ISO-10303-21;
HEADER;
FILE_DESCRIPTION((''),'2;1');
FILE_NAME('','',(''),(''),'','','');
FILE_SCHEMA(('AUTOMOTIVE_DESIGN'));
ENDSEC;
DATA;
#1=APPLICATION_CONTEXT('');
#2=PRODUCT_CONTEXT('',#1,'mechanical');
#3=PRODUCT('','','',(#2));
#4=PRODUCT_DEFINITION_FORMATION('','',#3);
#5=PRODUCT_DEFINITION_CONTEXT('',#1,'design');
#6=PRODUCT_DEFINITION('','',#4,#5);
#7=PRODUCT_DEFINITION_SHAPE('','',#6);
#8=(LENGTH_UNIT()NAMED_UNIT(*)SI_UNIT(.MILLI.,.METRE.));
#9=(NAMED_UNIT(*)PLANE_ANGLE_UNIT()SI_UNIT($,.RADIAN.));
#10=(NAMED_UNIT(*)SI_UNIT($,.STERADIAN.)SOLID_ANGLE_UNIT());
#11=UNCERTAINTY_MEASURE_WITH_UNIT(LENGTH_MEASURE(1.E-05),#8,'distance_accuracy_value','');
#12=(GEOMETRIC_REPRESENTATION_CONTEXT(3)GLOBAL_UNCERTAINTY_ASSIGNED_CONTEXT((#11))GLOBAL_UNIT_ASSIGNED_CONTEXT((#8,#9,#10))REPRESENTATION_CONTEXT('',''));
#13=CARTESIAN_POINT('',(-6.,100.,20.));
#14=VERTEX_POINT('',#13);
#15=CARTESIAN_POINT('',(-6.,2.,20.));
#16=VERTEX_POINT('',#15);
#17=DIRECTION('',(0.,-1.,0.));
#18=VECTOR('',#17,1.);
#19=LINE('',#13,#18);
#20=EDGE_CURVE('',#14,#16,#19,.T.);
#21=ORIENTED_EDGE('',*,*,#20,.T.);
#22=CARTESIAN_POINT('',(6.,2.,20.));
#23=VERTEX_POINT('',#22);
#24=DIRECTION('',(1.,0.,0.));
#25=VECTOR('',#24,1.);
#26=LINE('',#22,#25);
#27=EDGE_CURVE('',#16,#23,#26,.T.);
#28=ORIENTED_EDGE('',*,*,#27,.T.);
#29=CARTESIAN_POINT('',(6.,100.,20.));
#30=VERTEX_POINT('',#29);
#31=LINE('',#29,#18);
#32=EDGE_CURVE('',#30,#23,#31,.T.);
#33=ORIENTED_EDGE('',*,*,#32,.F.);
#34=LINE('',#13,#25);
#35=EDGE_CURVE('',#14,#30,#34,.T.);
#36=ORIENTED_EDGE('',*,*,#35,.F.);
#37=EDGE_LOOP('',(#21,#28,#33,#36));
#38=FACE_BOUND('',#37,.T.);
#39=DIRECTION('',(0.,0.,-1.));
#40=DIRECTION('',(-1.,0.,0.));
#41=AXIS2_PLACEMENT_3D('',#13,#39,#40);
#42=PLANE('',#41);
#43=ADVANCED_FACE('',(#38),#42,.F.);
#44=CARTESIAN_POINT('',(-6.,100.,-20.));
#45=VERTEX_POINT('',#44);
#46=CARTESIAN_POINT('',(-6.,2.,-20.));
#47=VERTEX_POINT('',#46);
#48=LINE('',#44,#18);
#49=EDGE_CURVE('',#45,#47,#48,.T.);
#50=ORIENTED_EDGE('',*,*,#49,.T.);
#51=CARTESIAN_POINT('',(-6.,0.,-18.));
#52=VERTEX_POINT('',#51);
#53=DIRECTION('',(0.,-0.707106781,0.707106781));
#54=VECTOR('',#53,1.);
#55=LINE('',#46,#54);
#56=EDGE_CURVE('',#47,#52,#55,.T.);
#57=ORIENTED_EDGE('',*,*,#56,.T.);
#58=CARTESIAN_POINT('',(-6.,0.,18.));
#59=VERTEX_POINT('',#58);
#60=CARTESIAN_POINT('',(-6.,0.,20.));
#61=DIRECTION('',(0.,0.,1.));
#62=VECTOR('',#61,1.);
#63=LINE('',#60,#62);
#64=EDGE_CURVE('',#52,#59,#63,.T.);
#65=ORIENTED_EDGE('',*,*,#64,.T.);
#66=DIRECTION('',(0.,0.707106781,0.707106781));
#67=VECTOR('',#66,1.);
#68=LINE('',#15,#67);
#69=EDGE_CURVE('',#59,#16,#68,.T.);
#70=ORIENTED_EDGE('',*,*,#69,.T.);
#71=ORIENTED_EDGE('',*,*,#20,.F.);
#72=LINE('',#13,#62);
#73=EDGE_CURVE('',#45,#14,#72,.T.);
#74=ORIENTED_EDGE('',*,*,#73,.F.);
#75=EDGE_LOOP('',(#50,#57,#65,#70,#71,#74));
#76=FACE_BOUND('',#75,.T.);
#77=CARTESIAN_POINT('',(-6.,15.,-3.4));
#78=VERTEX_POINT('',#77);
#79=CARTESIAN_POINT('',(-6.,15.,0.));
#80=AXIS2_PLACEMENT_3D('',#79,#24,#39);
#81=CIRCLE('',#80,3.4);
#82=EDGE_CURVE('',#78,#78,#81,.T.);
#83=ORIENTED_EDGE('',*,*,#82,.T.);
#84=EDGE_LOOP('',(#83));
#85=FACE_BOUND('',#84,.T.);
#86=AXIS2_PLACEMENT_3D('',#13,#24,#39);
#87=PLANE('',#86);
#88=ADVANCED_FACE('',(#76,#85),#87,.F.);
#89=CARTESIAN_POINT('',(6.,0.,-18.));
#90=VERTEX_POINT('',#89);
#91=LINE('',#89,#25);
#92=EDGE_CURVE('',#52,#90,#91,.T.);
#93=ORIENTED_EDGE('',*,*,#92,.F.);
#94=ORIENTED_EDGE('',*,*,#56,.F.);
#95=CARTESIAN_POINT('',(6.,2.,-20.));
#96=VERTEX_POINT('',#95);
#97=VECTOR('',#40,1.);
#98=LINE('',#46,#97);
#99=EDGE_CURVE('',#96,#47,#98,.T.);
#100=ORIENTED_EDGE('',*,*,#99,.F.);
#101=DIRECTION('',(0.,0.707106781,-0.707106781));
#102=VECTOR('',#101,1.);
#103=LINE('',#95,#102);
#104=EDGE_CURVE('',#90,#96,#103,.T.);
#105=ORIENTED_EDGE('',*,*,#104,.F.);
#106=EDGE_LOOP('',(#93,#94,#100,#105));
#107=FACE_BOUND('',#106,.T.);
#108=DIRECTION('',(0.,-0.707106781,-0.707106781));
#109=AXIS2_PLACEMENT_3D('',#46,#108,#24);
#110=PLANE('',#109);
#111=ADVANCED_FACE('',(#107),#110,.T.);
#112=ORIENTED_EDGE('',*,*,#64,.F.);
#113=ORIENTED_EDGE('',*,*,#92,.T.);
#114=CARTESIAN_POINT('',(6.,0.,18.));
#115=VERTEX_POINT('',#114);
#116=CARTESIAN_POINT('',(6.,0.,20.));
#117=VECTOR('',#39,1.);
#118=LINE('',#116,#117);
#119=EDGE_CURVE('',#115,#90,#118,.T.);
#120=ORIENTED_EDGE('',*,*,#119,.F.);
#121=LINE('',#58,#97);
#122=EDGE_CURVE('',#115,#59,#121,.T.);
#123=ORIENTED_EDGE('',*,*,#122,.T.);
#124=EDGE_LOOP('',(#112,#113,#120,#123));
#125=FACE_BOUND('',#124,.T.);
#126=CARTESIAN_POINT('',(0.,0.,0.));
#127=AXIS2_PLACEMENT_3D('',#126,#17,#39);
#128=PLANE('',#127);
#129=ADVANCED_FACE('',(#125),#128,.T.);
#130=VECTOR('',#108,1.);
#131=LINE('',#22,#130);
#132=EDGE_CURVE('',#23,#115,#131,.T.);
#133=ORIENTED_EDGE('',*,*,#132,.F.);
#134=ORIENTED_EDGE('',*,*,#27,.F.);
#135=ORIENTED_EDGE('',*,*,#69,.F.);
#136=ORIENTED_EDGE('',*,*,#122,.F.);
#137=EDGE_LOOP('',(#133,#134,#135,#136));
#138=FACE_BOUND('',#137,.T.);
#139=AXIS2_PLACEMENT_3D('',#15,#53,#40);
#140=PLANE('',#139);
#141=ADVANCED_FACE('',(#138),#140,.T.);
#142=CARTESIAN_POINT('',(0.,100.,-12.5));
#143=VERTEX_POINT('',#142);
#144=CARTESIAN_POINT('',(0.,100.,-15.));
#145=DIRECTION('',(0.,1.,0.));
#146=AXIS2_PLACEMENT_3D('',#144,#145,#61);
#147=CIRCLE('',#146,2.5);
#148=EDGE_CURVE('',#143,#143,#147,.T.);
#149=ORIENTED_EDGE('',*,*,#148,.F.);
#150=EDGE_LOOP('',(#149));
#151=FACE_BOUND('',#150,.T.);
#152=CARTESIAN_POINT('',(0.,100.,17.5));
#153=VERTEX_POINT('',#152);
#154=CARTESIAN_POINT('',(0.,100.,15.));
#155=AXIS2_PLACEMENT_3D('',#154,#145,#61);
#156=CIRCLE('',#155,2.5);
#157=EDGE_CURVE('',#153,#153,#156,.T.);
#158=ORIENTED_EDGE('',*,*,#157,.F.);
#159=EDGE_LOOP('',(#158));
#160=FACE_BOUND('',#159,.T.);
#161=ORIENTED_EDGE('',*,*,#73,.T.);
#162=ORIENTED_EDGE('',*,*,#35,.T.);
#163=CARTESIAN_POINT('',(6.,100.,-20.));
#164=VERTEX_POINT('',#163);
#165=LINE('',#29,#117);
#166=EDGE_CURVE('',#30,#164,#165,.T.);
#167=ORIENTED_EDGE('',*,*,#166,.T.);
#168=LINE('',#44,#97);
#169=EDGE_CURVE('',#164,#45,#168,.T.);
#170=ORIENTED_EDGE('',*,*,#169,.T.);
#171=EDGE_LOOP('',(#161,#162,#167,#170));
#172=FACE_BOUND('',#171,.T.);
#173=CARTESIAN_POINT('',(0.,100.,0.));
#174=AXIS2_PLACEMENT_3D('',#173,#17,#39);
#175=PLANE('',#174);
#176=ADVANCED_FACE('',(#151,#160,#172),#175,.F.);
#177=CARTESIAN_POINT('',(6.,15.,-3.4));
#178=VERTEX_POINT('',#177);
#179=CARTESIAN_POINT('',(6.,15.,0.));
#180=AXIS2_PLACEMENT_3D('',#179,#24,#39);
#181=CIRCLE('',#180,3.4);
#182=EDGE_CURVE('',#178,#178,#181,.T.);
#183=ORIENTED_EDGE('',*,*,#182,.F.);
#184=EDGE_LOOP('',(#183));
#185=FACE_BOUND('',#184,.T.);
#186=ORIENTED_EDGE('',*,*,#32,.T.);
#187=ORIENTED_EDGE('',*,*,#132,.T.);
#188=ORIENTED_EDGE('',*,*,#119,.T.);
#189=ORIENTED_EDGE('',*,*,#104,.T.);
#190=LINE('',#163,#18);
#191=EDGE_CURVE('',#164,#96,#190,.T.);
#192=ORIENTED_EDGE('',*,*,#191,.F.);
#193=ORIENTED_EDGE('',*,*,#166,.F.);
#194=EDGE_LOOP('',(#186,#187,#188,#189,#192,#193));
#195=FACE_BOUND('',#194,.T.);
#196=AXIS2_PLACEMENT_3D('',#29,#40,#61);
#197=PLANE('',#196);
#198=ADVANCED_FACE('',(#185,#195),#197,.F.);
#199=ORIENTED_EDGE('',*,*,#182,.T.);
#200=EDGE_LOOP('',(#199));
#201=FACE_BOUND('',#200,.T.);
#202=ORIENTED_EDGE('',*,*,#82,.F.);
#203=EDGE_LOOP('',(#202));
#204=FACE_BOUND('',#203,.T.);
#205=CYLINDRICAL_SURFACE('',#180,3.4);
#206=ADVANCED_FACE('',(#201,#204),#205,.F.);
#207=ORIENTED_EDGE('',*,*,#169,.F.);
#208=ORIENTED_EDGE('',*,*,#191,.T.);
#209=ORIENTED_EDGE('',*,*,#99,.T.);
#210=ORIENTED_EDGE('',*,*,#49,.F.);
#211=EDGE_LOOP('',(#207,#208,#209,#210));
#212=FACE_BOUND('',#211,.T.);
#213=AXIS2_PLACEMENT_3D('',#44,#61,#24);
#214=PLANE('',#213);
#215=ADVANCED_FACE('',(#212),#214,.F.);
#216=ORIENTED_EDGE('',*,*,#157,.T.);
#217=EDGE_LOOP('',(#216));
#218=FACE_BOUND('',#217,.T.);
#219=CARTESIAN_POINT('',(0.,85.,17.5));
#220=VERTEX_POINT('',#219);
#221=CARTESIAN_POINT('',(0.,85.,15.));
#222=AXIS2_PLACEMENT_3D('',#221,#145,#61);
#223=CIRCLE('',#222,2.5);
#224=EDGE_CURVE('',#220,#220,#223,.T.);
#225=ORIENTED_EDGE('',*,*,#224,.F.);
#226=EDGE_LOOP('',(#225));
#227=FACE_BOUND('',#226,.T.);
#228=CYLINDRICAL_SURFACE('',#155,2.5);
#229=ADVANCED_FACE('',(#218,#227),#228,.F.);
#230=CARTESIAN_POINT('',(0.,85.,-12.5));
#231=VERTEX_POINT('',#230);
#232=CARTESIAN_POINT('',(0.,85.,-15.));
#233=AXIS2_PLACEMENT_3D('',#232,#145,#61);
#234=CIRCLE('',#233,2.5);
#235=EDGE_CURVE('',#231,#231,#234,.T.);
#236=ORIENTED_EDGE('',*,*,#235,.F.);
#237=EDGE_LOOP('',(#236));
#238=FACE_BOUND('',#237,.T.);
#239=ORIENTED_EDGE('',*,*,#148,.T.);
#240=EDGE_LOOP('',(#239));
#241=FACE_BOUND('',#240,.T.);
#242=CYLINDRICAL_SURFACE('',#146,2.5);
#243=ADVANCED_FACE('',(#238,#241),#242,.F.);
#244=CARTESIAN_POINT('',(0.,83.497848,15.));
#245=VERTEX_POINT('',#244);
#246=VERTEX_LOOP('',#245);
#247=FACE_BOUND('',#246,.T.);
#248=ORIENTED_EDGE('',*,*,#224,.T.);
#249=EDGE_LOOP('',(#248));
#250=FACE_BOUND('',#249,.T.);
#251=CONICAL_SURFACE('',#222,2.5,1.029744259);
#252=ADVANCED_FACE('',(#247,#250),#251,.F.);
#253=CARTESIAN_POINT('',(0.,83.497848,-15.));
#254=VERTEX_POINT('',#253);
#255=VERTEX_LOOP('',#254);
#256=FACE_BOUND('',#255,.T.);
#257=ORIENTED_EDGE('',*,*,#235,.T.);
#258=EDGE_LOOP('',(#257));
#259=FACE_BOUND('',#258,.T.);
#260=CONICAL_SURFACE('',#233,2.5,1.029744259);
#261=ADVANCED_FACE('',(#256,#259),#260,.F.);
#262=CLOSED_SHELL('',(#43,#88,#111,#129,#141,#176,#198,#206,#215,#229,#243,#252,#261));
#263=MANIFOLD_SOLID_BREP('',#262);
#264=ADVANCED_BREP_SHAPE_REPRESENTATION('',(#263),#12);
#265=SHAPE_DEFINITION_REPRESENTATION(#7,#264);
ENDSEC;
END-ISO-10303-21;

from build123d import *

# Parameters (mm, degrees)
SKETCH_1_W             = 12
SKETCH_1_H             = 40
EXTRUDE_1_DEPTH        = 100
HOLE_WIZARD_M6_1_D     = 5
HOLE_WIZARD_M6_1_DEPTH = 15
HOLE_WIZARD_M6_1_TIP   = 1.502151548
HOLE_WIZARD_M8_1_D     = 6.8
CHAMFER_1_SIZE         = 2


with BuildPart() as part:
    # 草图1 → 凸台-拉伸1 (new body)
    with BuildSketch(Plane(origin=(0, 0, 0), x_dir=(1, 0, 0), z_dir=(0, 1, 0))):
        Rectangle(SKETCH_1_W, SKETCH_1_H)
    extrude(amount=EXTRUDE_1_DEPTH)

    # M6 螺纹孔1
    with Locations(Plane(origin=(0, 100, 0), x_dir=(1, 0, 0), z_dir=(0, 1, 0))):
        with Locations((0, 15), (0, -15)):
            Hole(HOLE_WIZARD_M6_1_D / 2, depth=HOLE_WIZARD_M6_1_DEPTH)
            with Locations((0, 0, -(HOLE_WIZARD_M6_1_DEPTH + HOLE_WIZARD_M6_1_TIP / 2))):  # 118° drill point
                Cone(0, HOLE_WIZARD_M6_1_D / 2, HOLE_WIZARD_M6_1_TIP, mode=Mode.SUBTRACT)

    # M8 螺纹孔1 (through all)
    with Locations(Plane(origin=(6, 0, 0), x_dir=(0, 0, -1), z_dir=(1, 0, 0))):
        with Locations((0, 15)):
            Hole(HOLE_WIZARD_M8_1_D / 2)

    # 倒角1
    chamfer_1_edges = [part.edges().sort_by_distance(p)[0] for p in [
        (0, 0, 20),
        (0, 0, -20),
    ]]
    chamfer(chamfer_1_edges, length=CHAMFER_1_SIZE)


solid = part.part
